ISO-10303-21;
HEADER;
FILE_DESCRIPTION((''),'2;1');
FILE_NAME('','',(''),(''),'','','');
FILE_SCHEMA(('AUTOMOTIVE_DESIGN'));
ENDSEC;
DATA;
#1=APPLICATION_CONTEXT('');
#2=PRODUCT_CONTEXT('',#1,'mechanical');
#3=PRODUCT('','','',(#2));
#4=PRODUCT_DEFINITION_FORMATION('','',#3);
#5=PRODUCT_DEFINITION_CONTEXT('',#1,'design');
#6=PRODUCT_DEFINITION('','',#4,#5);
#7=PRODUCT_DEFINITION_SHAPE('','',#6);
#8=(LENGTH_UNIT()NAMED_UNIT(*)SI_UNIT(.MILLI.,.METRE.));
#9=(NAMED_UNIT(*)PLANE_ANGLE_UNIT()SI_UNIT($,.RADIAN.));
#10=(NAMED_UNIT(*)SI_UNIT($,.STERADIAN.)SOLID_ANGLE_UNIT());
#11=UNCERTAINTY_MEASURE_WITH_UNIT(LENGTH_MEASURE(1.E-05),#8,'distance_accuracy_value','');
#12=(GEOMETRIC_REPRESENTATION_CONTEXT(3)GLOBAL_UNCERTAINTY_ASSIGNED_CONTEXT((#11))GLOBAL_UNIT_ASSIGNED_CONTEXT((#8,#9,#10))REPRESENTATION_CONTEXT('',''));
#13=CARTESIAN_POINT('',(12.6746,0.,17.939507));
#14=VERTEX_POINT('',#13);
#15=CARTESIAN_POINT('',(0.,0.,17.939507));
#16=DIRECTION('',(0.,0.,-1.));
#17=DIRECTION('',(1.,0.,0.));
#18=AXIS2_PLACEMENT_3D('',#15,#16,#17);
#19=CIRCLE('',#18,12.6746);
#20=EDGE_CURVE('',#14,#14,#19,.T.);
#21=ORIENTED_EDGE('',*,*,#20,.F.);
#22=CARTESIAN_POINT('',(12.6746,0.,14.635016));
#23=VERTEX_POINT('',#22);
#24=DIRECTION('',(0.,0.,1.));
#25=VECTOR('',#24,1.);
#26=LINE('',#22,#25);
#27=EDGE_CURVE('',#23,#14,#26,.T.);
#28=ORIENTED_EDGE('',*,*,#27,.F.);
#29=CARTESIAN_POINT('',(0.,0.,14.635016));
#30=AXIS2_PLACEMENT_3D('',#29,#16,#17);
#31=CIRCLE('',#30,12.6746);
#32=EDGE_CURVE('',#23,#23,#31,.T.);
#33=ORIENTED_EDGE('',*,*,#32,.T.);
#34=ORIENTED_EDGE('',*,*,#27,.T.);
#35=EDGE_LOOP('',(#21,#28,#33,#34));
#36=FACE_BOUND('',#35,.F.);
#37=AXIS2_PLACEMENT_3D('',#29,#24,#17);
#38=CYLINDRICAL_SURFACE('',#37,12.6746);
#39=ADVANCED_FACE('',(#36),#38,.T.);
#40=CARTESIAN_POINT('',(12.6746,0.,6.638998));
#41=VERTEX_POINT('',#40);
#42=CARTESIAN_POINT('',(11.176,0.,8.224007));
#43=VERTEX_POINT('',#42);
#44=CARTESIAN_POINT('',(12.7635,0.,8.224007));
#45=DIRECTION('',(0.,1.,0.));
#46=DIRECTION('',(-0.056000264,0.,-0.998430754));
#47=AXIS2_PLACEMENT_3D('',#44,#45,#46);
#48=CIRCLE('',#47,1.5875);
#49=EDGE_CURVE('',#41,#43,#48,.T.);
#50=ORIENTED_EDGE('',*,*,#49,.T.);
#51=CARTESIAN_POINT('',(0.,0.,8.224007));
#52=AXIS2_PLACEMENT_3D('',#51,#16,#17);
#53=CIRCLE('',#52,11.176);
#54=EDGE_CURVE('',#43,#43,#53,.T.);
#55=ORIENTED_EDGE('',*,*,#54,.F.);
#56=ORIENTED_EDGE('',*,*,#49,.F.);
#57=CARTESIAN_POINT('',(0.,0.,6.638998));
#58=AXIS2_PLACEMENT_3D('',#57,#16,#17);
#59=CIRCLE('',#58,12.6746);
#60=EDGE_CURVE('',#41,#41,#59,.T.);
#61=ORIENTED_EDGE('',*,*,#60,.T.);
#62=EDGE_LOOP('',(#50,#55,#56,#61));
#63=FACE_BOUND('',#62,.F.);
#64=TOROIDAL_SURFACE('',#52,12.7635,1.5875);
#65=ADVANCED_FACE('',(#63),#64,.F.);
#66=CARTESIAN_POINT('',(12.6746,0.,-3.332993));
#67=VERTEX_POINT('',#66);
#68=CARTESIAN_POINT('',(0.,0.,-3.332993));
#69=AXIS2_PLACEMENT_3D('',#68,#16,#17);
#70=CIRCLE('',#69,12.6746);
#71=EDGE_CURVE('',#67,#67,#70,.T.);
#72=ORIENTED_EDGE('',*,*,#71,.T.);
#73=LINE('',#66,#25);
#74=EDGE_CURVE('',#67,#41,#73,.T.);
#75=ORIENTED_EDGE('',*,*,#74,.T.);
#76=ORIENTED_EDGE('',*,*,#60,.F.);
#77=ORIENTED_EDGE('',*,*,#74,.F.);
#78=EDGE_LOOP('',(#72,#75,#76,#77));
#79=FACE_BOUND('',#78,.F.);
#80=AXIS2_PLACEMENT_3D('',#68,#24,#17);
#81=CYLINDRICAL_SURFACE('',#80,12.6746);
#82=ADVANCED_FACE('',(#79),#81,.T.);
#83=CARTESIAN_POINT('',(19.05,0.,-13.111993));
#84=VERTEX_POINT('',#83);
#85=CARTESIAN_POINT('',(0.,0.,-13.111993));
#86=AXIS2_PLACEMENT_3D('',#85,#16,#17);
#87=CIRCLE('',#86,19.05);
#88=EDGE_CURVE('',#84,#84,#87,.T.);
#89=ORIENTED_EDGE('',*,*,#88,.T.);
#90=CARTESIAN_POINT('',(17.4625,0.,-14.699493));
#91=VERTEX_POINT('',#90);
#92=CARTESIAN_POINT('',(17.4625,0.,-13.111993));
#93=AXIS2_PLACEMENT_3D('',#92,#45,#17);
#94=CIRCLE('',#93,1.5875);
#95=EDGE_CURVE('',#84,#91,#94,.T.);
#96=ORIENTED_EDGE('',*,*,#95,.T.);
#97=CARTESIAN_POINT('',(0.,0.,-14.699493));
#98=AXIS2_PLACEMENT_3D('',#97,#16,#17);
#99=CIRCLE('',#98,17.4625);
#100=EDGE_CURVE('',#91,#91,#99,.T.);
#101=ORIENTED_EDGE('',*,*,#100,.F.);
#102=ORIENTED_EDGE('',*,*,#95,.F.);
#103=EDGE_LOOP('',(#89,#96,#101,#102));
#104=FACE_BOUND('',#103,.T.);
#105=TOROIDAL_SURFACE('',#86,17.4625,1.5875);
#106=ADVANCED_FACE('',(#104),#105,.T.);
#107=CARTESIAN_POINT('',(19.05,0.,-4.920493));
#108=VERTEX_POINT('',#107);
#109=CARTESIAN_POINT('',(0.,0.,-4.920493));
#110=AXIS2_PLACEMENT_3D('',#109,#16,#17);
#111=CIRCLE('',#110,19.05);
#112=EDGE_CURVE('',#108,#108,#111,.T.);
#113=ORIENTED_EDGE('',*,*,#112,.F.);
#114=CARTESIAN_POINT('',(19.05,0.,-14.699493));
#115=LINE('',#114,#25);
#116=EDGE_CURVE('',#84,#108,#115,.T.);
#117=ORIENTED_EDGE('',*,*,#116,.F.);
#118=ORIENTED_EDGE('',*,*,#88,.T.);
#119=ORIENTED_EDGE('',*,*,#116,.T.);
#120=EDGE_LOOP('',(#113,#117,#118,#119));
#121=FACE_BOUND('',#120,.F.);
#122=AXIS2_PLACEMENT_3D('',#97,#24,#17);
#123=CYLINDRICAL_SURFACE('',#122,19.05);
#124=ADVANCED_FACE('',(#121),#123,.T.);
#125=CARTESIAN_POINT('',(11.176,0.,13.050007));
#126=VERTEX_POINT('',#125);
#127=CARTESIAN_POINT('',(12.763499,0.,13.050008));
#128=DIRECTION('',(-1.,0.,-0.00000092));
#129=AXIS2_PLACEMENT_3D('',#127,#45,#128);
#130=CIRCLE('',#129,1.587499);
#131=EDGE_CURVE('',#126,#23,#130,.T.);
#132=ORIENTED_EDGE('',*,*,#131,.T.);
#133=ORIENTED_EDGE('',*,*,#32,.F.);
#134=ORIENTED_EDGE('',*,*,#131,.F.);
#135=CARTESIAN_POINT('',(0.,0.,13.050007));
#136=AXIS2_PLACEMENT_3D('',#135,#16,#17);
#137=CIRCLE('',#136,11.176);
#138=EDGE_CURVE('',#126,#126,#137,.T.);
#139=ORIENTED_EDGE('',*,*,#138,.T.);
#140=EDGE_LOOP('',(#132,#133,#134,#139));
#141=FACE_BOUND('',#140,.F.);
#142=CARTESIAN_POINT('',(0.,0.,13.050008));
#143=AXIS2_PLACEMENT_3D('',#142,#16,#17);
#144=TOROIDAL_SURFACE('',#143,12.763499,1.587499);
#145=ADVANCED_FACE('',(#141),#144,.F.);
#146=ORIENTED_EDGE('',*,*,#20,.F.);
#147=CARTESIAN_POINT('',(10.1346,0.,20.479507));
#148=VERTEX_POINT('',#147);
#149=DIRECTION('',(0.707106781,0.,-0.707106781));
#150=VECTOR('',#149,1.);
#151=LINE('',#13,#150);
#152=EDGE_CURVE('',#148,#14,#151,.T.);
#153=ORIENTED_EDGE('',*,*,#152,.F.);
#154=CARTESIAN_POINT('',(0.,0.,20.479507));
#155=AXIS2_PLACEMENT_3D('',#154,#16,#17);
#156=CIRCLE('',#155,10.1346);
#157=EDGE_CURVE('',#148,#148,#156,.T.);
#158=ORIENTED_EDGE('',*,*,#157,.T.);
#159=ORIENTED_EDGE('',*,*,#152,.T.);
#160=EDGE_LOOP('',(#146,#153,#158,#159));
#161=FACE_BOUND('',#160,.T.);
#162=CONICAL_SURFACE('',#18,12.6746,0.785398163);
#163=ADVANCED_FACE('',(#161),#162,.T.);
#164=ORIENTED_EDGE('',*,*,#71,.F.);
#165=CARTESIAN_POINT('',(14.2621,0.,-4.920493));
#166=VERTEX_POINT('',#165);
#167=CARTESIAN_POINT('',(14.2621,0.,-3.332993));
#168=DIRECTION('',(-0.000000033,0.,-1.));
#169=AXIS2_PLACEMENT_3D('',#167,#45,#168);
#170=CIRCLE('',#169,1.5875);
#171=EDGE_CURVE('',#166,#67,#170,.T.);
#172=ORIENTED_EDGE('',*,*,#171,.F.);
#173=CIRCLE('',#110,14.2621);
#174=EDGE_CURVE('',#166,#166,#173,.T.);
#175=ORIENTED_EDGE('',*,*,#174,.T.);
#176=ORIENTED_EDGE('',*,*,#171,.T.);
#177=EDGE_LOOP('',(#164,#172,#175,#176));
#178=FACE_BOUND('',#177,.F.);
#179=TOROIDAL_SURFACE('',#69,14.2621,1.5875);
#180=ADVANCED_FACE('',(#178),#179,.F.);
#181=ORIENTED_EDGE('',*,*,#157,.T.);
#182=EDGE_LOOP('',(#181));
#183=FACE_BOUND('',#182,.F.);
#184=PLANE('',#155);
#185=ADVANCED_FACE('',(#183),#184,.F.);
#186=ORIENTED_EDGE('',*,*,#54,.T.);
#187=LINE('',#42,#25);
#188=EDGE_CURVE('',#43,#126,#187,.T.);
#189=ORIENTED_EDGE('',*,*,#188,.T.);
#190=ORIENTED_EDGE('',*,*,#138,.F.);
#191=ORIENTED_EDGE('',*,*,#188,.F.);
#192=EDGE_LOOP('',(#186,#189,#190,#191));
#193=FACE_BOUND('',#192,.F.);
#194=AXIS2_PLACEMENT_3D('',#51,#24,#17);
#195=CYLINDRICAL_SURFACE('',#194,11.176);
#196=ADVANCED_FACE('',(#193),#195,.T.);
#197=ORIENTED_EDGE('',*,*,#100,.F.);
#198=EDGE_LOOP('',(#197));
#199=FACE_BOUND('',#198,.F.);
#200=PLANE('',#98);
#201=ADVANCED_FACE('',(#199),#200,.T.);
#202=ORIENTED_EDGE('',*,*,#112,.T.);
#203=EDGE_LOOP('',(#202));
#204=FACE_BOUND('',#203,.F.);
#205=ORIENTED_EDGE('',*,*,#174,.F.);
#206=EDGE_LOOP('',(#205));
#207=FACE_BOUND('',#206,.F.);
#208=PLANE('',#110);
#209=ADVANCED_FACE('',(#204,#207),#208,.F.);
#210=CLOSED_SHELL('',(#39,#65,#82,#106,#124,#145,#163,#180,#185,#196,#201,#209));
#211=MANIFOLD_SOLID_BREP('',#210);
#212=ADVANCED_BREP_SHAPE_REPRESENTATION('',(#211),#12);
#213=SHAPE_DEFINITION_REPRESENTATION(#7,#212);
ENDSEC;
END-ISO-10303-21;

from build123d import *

# Parameters (mm, degrees)
F2_SIZE = 2.54
F3_R    = 1.5875


with BuildPart() as f1:
    # F0 (on Front) → F1 (revolve)
    with BuildSketch(Plane.XZ):
        with BuildLine():
            Line((12.6746, 20.479507), (0, 20.479507))
            Line((0, 20.479507), (0, -14.699493))
            Line((0, -14.699493), (19.05, -14.699493))
            Line((19.05, -14.699493), (19.05, -4.920493))
            Line((19.05, -4.920493), (14.2621, -4.920493))
            ThreePointArc((14.2621, -4.920493), (13.139568, -4.455525), (12.6746, -3.332993))
            Line((12.6746, -3.332993), (12.6746, 6.636507))
            Line((12.6746, 6.636507), (12.6746, 6.638998))
            ThreePointArc((12.6746, 6.638998), (11.609965, 7.133359), (11.176, 8.224007))
            Line((11.176, 8.224007), (11.176, 13.050007))
            ThreePointArc((11.176, 13.050007), (11.609965, 14.140656), (12.6746, 14.635016))
            Line((12.6746, 14.635016), (12.6746, 14.637507))
            Line((12.6746, 14.637507), (12.6746, 20.479507))
        make_face()
    revolve(axis=Axis((0, 0, 2.082966), (0, 0, -1)))

    # F2
    f2_edges = [f1.edges().sort_by_distance(p)[0] for p in [
        (-12.6746, 0, 20.479507),
    ]]
    chamfer(f2_edges, length=F2_SIZE)

    # F3
    f3_edges = [f1.edges().sort_by_distance(p)[0] for p in [
        (-19.05, 0, -14.699493),
    ]]
    fillet(f3_edges, radius=F3_R)


solid = f1.part
